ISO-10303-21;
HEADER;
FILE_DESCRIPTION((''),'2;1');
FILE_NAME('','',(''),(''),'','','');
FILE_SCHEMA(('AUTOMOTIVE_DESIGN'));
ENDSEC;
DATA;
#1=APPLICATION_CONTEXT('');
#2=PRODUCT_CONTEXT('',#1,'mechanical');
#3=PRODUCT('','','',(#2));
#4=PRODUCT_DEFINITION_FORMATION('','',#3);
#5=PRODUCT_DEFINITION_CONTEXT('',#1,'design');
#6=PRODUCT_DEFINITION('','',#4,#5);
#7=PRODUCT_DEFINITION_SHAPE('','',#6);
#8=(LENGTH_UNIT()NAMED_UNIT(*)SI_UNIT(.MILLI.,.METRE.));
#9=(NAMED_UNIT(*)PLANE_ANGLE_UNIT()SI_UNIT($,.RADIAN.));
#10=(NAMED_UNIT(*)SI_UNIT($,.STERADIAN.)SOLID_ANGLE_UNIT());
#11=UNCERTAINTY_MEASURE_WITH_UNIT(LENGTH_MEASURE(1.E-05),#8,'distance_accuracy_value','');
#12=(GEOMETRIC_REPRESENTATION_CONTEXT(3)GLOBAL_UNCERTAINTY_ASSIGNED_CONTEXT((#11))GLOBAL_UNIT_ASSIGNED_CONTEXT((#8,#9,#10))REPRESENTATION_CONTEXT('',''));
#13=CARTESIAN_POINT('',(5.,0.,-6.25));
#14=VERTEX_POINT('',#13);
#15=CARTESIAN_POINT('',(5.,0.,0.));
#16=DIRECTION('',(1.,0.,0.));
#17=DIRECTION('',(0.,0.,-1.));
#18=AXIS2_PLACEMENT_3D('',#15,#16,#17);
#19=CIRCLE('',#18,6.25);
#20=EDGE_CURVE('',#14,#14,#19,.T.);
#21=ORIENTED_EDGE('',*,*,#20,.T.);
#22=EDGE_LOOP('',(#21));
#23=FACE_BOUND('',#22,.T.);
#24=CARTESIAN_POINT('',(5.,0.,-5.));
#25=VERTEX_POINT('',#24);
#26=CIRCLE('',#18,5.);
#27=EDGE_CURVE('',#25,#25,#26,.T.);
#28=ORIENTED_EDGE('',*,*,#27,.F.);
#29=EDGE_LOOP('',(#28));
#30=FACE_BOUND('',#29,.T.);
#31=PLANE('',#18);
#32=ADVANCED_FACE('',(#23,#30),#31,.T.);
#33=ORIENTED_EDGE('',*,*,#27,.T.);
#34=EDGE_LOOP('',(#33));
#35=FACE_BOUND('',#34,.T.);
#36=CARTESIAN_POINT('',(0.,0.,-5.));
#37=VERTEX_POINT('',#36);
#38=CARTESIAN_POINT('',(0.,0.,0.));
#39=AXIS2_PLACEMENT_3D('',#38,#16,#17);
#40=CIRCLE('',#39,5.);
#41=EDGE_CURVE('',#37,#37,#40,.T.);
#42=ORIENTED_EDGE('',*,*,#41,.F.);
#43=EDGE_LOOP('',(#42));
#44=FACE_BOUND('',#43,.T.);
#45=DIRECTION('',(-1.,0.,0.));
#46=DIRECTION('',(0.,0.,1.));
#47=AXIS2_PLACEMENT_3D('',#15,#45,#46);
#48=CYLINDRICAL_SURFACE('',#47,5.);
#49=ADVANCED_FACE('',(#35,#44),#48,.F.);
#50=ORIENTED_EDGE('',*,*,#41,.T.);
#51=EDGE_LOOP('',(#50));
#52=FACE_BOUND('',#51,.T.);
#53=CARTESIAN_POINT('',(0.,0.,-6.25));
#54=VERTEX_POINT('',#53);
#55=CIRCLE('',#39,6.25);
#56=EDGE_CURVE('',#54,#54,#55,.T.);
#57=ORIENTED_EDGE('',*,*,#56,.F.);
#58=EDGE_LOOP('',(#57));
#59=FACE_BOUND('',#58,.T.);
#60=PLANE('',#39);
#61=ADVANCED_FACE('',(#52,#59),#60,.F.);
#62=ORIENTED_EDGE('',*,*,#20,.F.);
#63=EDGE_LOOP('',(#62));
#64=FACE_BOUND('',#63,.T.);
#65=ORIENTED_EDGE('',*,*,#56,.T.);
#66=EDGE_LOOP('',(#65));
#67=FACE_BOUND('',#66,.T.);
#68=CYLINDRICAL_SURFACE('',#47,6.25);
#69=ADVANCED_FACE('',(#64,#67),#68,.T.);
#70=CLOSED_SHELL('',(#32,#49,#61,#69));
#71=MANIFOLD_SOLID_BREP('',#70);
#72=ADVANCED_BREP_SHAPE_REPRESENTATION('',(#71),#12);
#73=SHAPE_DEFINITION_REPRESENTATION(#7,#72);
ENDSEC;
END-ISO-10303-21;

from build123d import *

# Parameters (mm, degrees)
SKETCH_1_R      = 6.25
SKETCH_1_R_2    = 5
EXTRUDE_1_DEPTH = 5


with BuildPart() as part:
    # 스케치1 → 보스-돌출1 (new body)
    with BuildSketch(Plane(origin=(0, 0, 0), x_dir=(0, 0, -1), z_dir=(1, 0, 0))):
        Circle(SKETCH_1_R)
        Circle(SKETCH_1_R_2, mode=Mode.SUBTRACT)
    extrude(amount=EXTRUDE_1_DEPTH)


solid = part.part
